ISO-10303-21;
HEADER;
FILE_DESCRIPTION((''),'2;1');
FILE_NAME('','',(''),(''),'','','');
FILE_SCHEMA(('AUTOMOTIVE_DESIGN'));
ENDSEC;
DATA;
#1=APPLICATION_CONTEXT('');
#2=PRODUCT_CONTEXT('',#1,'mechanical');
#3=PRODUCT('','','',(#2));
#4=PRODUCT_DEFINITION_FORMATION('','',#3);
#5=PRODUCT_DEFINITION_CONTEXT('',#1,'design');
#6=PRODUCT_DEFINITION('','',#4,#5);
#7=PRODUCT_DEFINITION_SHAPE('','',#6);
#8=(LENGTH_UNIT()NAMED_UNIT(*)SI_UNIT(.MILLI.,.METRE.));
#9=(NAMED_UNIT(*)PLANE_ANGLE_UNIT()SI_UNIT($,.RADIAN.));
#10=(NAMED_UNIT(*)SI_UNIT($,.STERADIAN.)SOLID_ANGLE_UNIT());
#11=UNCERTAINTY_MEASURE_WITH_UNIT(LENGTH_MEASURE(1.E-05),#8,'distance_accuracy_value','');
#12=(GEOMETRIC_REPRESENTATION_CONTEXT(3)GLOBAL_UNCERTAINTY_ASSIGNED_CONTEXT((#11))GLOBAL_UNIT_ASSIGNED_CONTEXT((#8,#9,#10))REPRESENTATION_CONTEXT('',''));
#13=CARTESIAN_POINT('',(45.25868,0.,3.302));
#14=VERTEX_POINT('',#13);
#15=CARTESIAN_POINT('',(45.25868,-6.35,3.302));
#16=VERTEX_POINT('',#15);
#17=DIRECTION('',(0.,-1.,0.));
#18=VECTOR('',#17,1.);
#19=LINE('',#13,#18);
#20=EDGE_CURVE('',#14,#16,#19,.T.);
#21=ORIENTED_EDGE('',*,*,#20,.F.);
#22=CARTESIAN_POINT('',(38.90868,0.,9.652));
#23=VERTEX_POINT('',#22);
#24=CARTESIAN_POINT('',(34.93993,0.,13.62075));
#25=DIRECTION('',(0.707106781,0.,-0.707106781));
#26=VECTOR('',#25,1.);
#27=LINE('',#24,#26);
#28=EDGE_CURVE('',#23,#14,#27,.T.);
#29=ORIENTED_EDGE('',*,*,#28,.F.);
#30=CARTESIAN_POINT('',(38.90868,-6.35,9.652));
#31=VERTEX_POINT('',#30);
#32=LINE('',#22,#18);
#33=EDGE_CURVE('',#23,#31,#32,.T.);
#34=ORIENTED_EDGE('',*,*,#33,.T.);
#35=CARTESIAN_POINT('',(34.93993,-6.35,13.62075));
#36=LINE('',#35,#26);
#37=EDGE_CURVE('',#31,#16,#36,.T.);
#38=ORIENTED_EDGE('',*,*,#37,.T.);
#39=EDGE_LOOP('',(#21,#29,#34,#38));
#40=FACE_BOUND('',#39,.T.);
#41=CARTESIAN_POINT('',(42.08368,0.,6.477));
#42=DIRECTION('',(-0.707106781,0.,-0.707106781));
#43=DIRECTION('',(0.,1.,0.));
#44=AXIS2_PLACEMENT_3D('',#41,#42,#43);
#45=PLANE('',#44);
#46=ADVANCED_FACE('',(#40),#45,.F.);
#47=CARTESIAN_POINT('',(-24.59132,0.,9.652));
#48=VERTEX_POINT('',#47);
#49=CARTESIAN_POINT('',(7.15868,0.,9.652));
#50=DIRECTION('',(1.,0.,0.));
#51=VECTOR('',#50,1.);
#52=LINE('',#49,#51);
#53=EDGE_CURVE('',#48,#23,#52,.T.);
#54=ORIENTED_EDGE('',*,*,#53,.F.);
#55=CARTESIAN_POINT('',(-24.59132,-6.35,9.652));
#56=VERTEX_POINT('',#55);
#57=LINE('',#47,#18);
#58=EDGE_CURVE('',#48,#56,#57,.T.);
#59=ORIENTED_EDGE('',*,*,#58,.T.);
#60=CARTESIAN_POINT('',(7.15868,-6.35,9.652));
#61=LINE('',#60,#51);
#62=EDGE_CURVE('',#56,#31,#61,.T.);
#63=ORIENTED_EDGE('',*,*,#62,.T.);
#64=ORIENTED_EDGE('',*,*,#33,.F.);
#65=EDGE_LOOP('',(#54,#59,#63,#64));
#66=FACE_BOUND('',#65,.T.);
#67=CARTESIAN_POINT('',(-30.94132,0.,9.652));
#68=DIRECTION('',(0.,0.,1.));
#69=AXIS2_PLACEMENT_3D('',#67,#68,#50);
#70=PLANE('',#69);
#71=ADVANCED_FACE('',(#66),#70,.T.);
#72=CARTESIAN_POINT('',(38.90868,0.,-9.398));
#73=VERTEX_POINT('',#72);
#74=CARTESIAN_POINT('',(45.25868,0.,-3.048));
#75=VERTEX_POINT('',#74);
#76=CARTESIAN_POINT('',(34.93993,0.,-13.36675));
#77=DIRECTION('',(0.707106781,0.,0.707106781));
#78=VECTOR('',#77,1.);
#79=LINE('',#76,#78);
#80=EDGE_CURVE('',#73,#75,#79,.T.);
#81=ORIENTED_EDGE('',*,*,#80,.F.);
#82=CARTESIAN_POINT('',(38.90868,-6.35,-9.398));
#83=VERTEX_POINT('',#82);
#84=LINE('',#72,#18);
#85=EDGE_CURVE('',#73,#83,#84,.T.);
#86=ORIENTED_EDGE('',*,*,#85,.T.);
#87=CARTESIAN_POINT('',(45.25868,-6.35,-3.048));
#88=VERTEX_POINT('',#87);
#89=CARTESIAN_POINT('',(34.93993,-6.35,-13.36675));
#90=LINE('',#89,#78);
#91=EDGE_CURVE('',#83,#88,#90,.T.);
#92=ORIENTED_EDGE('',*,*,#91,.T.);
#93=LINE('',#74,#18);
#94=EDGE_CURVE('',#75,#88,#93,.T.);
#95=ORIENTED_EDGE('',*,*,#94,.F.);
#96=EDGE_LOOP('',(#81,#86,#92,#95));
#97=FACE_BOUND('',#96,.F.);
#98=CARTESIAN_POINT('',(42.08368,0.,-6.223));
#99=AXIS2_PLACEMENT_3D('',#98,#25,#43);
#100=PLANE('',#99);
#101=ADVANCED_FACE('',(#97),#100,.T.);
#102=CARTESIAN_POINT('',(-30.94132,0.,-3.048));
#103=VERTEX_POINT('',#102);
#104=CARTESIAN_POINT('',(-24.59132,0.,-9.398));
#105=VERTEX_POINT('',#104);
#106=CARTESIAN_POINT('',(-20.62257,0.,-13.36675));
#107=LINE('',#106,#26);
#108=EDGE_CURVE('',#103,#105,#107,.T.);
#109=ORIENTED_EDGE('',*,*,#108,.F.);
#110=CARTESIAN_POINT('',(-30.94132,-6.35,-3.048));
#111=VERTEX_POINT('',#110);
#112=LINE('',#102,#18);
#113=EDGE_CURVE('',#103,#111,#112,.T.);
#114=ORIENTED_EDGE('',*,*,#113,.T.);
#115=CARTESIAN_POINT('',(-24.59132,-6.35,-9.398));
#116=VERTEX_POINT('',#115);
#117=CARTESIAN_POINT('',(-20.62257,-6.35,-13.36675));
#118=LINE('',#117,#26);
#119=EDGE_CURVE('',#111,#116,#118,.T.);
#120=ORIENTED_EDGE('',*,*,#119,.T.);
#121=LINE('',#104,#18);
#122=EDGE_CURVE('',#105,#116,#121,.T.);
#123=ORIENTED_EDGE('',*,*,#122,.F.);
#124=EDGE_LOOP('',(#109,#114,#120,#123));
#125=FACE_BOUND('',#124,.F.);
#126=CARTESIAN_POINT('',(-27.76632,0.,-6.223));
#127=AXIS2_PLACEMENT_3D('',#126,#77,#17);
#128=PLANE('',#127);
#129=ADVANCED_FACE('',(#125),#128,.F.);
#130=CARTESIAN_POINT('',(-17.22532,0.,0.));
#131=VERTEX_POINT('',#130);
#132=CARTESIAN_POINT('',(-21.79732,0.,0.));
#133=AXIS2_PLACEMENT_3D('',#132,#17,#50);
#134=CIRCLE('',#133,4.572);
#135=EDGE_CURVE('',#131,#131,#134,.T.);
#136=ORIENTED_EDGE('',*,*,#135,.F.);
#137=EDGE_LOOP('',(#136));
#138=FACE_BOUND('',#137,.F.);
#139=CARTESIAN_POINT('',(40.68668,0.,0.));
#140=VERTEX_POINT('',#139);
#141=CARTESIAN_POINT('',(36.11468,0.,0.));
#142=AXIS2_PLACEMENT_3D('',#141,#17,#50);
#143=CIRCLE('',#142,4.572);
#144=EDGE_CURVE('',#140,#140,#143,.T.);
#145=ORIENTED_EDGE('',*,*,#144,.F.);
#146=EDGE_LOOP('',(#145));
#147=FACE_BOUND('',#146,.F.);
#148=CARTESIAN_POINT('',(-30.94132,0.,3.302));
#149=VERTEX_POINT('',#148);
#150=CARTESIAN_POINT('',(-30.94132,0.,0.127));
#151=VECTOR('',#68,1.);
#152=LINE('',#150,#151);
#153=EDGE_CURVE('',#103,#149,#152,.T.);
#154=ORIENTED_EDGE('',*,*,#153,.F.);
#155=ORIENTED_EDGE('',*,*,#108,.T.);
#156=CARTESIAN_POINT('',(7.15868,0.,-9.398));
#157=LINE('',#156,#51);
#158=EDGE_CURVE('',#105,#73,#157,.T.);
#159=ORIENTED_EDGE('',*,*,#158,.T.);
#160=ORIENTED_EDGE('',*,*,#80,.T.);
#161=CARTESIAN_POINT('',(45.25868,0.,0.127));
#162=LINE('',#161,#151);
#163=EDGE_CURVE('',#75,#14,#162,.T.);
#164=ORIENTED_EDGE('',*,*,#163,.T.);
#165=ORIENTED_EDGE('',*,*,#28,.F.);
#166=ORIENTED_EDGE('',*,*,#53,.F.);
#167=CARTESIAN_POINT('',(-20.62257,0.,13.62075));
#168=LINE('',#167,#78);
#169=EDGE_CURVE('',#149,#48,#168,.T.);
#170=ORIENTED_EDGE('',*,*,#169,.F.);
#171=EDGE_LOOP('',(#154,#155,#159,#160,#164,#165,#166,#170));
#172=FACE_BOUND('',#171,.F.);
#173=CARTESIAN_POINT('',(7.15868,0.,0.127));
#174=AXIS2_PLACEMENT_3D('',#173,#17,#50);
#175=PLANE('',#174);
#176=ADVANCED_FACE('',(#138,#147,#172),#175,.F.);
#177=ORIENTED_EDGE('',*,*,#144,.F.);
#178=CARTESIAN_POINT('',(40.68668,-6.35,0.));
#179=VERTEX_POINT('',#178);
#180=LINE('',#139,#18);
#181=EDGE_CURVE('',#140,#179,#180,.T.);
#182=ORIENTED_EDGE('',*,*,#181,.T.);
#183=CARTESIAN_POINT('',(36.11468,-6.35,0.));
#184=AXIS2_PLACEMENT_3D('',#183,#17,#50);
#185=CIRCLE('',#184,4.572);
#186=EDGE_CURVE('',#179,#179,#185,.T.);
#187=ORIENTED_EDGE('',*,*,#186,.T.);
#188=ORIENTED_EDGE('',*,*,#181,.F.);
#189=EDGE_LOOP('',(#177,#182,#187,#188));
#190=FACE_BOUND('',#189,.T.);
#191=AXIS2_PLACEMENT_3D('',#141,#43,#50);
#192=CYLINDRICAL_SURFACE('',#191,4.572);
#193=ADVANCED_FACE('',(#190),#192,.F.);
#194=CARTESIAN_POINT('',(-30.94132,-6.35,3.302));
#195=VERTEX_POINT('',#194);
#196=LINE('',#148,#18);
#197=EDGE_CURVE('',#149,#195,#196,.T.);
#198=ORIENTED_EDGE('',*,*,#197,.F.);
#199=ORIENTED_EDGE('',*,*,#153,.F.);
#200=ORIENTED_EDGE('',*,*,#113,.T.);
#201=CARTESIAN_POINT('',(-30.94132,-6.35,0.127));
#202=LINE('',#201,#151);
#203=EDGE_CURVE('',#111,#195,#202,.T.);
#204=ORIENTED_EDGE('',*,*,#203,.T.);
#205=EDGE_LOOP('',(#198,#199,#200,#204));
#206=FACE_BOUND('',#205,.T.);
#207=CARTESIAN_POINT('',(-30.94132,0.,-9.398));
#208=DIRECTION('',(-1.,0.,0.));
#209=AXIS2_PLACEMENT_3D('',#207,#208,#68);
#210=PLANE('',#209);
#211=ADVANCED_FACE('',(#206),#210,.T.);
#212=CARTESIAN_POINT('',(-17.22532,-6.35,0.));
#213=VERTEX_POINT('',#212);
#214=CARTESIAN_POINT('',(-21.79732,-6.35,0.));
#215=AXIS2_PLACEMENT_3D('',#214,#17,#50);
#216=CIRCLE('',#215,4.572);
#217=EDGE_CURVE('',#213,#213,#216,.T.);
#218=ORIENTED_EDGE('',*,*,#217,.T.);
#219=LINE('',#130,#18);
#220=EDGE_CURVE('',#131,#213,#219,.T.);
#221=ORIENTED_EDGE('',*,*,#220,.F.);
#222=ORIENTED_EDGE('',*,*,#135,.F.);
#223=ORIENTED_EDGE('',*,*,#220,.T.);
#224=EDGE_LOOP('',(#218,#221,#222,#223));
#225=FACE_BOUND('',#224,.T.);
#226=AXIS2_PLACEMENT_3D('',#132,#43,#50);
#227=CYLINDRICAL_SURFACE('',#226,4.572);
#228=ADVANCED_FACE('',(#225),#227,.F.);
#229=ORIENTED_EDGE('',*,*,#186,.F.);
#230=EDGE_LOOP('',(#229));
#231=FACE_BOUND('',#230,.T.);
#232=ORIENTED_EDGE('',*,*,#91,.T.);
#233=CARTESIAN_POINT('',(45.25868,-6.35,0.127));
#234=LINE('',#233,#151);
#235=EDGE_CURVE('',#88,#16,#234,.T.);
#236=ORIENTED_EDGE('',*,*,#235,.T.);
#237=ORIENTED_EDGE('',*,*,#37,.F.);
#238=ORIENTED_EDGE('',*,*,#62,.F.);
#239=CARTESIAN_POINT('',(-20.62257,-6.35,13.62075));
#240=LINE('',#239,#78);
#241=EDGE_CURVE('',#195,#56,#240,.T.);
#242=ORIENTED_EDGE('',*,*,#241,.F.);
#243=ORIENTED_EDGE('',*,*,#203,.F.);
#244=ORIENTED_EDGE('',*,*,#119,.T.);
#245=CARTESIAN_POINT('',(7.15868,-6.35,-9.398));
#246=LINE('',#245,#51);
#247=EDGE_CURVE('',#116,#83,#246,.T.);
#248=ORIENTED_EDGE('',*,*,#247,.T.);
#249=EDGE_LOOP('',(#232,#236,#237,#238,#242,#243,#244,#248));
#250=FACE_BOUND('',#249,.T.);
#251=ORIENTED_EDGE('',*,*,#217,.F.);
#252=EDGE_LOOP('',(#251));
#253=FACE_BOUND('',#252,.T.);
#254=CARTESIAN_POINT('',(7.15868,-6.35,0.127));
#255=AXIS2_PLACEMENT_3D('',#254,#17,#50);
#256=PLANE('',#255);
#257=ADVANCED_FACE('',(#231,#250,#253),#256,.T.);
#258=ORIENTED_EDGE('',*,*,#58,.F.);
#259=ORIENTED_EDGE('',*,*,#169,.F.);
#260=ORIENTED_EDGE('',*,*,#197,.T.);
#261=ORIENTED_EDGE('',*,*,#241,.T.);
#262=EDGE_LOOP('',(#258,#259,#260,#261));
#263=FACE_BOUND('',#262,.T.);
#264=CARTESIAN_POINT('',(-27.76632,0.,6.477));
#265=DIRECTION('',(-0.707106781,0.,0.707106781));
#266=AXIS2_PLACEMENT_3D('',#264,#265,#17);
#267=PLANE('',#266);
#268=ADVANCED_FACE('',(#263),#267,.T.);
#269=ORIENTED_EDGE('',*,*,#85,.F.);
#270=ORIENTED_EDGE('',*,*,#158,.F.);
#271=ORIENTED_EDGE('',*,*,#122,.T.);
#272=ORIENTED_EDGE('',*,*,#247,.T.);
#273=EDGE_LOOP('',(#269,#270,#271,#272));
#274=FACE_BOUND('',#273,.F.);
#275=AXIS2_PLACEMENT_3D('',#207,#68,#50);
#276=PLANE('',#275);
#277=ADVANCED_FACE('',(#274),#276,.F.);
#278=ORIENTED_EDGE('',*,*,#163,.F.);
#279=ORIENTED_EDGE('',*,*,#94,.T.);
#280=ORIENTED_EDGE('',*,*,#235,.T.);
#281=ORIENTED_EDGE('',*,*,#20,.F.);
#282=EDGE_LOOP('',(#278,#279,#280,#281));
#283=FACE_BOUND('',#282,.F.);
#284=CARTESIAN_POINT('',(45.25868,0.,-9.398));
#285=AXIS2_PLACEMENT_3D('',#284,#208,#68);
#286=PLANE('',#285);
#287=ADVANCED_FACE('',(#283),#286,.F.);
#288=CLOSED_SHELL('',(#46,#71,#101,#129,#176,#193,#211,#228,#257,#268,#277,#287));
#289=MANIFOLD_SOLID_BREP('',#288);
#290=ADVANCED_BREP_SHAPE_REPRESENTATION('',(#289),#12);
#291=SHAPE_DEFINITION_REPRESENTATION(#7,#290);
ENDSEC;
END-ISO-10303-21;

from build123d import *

# Parameters (mm, degrees)
F0_W     = 76.2
F0_H     = 19.05
F0_R     = 4.572
F1_DEPTH = 6.35
F2_SIZE  = 6.35
F3_SIZE  = 6.35


with BuildPart() as f1:
    # F0 (on Front) → F1 (new body)
    with BuildSketch(Plane.XZ):
        with Locations((7.15868, 0.127)):
            Rectangle(F0_W, F0_H)
        with Locations((-21.79732, 0)):
            Circle(F0_R, mode=Mode.SUBTRACT)
        with Locations((36.11468, 0)):
            Circle(F0_R, mode=Mode.SUBTRACT)
    extrude(amount=F1_DEPTH)

    # F2
    f2_edges = [f1.edges().sort_by_distance(p)[0] for p in [
        (-30.94132, -3.175, 9.652),
        (45.25868, -3.175, 9.652),
        (45.25868, -3.175, -9.398),
    ]]
    chamfer(f2_edges, length=F2_SIZE)

    # F3
    f3_edges = [f1.edges().sort_by_distance(p)[0] for p in [
        (-30.94132, -3.175, -9.398),
    ]]
    chamfer(f3_edges, length=F3_SIZE)


solid = f1.part
